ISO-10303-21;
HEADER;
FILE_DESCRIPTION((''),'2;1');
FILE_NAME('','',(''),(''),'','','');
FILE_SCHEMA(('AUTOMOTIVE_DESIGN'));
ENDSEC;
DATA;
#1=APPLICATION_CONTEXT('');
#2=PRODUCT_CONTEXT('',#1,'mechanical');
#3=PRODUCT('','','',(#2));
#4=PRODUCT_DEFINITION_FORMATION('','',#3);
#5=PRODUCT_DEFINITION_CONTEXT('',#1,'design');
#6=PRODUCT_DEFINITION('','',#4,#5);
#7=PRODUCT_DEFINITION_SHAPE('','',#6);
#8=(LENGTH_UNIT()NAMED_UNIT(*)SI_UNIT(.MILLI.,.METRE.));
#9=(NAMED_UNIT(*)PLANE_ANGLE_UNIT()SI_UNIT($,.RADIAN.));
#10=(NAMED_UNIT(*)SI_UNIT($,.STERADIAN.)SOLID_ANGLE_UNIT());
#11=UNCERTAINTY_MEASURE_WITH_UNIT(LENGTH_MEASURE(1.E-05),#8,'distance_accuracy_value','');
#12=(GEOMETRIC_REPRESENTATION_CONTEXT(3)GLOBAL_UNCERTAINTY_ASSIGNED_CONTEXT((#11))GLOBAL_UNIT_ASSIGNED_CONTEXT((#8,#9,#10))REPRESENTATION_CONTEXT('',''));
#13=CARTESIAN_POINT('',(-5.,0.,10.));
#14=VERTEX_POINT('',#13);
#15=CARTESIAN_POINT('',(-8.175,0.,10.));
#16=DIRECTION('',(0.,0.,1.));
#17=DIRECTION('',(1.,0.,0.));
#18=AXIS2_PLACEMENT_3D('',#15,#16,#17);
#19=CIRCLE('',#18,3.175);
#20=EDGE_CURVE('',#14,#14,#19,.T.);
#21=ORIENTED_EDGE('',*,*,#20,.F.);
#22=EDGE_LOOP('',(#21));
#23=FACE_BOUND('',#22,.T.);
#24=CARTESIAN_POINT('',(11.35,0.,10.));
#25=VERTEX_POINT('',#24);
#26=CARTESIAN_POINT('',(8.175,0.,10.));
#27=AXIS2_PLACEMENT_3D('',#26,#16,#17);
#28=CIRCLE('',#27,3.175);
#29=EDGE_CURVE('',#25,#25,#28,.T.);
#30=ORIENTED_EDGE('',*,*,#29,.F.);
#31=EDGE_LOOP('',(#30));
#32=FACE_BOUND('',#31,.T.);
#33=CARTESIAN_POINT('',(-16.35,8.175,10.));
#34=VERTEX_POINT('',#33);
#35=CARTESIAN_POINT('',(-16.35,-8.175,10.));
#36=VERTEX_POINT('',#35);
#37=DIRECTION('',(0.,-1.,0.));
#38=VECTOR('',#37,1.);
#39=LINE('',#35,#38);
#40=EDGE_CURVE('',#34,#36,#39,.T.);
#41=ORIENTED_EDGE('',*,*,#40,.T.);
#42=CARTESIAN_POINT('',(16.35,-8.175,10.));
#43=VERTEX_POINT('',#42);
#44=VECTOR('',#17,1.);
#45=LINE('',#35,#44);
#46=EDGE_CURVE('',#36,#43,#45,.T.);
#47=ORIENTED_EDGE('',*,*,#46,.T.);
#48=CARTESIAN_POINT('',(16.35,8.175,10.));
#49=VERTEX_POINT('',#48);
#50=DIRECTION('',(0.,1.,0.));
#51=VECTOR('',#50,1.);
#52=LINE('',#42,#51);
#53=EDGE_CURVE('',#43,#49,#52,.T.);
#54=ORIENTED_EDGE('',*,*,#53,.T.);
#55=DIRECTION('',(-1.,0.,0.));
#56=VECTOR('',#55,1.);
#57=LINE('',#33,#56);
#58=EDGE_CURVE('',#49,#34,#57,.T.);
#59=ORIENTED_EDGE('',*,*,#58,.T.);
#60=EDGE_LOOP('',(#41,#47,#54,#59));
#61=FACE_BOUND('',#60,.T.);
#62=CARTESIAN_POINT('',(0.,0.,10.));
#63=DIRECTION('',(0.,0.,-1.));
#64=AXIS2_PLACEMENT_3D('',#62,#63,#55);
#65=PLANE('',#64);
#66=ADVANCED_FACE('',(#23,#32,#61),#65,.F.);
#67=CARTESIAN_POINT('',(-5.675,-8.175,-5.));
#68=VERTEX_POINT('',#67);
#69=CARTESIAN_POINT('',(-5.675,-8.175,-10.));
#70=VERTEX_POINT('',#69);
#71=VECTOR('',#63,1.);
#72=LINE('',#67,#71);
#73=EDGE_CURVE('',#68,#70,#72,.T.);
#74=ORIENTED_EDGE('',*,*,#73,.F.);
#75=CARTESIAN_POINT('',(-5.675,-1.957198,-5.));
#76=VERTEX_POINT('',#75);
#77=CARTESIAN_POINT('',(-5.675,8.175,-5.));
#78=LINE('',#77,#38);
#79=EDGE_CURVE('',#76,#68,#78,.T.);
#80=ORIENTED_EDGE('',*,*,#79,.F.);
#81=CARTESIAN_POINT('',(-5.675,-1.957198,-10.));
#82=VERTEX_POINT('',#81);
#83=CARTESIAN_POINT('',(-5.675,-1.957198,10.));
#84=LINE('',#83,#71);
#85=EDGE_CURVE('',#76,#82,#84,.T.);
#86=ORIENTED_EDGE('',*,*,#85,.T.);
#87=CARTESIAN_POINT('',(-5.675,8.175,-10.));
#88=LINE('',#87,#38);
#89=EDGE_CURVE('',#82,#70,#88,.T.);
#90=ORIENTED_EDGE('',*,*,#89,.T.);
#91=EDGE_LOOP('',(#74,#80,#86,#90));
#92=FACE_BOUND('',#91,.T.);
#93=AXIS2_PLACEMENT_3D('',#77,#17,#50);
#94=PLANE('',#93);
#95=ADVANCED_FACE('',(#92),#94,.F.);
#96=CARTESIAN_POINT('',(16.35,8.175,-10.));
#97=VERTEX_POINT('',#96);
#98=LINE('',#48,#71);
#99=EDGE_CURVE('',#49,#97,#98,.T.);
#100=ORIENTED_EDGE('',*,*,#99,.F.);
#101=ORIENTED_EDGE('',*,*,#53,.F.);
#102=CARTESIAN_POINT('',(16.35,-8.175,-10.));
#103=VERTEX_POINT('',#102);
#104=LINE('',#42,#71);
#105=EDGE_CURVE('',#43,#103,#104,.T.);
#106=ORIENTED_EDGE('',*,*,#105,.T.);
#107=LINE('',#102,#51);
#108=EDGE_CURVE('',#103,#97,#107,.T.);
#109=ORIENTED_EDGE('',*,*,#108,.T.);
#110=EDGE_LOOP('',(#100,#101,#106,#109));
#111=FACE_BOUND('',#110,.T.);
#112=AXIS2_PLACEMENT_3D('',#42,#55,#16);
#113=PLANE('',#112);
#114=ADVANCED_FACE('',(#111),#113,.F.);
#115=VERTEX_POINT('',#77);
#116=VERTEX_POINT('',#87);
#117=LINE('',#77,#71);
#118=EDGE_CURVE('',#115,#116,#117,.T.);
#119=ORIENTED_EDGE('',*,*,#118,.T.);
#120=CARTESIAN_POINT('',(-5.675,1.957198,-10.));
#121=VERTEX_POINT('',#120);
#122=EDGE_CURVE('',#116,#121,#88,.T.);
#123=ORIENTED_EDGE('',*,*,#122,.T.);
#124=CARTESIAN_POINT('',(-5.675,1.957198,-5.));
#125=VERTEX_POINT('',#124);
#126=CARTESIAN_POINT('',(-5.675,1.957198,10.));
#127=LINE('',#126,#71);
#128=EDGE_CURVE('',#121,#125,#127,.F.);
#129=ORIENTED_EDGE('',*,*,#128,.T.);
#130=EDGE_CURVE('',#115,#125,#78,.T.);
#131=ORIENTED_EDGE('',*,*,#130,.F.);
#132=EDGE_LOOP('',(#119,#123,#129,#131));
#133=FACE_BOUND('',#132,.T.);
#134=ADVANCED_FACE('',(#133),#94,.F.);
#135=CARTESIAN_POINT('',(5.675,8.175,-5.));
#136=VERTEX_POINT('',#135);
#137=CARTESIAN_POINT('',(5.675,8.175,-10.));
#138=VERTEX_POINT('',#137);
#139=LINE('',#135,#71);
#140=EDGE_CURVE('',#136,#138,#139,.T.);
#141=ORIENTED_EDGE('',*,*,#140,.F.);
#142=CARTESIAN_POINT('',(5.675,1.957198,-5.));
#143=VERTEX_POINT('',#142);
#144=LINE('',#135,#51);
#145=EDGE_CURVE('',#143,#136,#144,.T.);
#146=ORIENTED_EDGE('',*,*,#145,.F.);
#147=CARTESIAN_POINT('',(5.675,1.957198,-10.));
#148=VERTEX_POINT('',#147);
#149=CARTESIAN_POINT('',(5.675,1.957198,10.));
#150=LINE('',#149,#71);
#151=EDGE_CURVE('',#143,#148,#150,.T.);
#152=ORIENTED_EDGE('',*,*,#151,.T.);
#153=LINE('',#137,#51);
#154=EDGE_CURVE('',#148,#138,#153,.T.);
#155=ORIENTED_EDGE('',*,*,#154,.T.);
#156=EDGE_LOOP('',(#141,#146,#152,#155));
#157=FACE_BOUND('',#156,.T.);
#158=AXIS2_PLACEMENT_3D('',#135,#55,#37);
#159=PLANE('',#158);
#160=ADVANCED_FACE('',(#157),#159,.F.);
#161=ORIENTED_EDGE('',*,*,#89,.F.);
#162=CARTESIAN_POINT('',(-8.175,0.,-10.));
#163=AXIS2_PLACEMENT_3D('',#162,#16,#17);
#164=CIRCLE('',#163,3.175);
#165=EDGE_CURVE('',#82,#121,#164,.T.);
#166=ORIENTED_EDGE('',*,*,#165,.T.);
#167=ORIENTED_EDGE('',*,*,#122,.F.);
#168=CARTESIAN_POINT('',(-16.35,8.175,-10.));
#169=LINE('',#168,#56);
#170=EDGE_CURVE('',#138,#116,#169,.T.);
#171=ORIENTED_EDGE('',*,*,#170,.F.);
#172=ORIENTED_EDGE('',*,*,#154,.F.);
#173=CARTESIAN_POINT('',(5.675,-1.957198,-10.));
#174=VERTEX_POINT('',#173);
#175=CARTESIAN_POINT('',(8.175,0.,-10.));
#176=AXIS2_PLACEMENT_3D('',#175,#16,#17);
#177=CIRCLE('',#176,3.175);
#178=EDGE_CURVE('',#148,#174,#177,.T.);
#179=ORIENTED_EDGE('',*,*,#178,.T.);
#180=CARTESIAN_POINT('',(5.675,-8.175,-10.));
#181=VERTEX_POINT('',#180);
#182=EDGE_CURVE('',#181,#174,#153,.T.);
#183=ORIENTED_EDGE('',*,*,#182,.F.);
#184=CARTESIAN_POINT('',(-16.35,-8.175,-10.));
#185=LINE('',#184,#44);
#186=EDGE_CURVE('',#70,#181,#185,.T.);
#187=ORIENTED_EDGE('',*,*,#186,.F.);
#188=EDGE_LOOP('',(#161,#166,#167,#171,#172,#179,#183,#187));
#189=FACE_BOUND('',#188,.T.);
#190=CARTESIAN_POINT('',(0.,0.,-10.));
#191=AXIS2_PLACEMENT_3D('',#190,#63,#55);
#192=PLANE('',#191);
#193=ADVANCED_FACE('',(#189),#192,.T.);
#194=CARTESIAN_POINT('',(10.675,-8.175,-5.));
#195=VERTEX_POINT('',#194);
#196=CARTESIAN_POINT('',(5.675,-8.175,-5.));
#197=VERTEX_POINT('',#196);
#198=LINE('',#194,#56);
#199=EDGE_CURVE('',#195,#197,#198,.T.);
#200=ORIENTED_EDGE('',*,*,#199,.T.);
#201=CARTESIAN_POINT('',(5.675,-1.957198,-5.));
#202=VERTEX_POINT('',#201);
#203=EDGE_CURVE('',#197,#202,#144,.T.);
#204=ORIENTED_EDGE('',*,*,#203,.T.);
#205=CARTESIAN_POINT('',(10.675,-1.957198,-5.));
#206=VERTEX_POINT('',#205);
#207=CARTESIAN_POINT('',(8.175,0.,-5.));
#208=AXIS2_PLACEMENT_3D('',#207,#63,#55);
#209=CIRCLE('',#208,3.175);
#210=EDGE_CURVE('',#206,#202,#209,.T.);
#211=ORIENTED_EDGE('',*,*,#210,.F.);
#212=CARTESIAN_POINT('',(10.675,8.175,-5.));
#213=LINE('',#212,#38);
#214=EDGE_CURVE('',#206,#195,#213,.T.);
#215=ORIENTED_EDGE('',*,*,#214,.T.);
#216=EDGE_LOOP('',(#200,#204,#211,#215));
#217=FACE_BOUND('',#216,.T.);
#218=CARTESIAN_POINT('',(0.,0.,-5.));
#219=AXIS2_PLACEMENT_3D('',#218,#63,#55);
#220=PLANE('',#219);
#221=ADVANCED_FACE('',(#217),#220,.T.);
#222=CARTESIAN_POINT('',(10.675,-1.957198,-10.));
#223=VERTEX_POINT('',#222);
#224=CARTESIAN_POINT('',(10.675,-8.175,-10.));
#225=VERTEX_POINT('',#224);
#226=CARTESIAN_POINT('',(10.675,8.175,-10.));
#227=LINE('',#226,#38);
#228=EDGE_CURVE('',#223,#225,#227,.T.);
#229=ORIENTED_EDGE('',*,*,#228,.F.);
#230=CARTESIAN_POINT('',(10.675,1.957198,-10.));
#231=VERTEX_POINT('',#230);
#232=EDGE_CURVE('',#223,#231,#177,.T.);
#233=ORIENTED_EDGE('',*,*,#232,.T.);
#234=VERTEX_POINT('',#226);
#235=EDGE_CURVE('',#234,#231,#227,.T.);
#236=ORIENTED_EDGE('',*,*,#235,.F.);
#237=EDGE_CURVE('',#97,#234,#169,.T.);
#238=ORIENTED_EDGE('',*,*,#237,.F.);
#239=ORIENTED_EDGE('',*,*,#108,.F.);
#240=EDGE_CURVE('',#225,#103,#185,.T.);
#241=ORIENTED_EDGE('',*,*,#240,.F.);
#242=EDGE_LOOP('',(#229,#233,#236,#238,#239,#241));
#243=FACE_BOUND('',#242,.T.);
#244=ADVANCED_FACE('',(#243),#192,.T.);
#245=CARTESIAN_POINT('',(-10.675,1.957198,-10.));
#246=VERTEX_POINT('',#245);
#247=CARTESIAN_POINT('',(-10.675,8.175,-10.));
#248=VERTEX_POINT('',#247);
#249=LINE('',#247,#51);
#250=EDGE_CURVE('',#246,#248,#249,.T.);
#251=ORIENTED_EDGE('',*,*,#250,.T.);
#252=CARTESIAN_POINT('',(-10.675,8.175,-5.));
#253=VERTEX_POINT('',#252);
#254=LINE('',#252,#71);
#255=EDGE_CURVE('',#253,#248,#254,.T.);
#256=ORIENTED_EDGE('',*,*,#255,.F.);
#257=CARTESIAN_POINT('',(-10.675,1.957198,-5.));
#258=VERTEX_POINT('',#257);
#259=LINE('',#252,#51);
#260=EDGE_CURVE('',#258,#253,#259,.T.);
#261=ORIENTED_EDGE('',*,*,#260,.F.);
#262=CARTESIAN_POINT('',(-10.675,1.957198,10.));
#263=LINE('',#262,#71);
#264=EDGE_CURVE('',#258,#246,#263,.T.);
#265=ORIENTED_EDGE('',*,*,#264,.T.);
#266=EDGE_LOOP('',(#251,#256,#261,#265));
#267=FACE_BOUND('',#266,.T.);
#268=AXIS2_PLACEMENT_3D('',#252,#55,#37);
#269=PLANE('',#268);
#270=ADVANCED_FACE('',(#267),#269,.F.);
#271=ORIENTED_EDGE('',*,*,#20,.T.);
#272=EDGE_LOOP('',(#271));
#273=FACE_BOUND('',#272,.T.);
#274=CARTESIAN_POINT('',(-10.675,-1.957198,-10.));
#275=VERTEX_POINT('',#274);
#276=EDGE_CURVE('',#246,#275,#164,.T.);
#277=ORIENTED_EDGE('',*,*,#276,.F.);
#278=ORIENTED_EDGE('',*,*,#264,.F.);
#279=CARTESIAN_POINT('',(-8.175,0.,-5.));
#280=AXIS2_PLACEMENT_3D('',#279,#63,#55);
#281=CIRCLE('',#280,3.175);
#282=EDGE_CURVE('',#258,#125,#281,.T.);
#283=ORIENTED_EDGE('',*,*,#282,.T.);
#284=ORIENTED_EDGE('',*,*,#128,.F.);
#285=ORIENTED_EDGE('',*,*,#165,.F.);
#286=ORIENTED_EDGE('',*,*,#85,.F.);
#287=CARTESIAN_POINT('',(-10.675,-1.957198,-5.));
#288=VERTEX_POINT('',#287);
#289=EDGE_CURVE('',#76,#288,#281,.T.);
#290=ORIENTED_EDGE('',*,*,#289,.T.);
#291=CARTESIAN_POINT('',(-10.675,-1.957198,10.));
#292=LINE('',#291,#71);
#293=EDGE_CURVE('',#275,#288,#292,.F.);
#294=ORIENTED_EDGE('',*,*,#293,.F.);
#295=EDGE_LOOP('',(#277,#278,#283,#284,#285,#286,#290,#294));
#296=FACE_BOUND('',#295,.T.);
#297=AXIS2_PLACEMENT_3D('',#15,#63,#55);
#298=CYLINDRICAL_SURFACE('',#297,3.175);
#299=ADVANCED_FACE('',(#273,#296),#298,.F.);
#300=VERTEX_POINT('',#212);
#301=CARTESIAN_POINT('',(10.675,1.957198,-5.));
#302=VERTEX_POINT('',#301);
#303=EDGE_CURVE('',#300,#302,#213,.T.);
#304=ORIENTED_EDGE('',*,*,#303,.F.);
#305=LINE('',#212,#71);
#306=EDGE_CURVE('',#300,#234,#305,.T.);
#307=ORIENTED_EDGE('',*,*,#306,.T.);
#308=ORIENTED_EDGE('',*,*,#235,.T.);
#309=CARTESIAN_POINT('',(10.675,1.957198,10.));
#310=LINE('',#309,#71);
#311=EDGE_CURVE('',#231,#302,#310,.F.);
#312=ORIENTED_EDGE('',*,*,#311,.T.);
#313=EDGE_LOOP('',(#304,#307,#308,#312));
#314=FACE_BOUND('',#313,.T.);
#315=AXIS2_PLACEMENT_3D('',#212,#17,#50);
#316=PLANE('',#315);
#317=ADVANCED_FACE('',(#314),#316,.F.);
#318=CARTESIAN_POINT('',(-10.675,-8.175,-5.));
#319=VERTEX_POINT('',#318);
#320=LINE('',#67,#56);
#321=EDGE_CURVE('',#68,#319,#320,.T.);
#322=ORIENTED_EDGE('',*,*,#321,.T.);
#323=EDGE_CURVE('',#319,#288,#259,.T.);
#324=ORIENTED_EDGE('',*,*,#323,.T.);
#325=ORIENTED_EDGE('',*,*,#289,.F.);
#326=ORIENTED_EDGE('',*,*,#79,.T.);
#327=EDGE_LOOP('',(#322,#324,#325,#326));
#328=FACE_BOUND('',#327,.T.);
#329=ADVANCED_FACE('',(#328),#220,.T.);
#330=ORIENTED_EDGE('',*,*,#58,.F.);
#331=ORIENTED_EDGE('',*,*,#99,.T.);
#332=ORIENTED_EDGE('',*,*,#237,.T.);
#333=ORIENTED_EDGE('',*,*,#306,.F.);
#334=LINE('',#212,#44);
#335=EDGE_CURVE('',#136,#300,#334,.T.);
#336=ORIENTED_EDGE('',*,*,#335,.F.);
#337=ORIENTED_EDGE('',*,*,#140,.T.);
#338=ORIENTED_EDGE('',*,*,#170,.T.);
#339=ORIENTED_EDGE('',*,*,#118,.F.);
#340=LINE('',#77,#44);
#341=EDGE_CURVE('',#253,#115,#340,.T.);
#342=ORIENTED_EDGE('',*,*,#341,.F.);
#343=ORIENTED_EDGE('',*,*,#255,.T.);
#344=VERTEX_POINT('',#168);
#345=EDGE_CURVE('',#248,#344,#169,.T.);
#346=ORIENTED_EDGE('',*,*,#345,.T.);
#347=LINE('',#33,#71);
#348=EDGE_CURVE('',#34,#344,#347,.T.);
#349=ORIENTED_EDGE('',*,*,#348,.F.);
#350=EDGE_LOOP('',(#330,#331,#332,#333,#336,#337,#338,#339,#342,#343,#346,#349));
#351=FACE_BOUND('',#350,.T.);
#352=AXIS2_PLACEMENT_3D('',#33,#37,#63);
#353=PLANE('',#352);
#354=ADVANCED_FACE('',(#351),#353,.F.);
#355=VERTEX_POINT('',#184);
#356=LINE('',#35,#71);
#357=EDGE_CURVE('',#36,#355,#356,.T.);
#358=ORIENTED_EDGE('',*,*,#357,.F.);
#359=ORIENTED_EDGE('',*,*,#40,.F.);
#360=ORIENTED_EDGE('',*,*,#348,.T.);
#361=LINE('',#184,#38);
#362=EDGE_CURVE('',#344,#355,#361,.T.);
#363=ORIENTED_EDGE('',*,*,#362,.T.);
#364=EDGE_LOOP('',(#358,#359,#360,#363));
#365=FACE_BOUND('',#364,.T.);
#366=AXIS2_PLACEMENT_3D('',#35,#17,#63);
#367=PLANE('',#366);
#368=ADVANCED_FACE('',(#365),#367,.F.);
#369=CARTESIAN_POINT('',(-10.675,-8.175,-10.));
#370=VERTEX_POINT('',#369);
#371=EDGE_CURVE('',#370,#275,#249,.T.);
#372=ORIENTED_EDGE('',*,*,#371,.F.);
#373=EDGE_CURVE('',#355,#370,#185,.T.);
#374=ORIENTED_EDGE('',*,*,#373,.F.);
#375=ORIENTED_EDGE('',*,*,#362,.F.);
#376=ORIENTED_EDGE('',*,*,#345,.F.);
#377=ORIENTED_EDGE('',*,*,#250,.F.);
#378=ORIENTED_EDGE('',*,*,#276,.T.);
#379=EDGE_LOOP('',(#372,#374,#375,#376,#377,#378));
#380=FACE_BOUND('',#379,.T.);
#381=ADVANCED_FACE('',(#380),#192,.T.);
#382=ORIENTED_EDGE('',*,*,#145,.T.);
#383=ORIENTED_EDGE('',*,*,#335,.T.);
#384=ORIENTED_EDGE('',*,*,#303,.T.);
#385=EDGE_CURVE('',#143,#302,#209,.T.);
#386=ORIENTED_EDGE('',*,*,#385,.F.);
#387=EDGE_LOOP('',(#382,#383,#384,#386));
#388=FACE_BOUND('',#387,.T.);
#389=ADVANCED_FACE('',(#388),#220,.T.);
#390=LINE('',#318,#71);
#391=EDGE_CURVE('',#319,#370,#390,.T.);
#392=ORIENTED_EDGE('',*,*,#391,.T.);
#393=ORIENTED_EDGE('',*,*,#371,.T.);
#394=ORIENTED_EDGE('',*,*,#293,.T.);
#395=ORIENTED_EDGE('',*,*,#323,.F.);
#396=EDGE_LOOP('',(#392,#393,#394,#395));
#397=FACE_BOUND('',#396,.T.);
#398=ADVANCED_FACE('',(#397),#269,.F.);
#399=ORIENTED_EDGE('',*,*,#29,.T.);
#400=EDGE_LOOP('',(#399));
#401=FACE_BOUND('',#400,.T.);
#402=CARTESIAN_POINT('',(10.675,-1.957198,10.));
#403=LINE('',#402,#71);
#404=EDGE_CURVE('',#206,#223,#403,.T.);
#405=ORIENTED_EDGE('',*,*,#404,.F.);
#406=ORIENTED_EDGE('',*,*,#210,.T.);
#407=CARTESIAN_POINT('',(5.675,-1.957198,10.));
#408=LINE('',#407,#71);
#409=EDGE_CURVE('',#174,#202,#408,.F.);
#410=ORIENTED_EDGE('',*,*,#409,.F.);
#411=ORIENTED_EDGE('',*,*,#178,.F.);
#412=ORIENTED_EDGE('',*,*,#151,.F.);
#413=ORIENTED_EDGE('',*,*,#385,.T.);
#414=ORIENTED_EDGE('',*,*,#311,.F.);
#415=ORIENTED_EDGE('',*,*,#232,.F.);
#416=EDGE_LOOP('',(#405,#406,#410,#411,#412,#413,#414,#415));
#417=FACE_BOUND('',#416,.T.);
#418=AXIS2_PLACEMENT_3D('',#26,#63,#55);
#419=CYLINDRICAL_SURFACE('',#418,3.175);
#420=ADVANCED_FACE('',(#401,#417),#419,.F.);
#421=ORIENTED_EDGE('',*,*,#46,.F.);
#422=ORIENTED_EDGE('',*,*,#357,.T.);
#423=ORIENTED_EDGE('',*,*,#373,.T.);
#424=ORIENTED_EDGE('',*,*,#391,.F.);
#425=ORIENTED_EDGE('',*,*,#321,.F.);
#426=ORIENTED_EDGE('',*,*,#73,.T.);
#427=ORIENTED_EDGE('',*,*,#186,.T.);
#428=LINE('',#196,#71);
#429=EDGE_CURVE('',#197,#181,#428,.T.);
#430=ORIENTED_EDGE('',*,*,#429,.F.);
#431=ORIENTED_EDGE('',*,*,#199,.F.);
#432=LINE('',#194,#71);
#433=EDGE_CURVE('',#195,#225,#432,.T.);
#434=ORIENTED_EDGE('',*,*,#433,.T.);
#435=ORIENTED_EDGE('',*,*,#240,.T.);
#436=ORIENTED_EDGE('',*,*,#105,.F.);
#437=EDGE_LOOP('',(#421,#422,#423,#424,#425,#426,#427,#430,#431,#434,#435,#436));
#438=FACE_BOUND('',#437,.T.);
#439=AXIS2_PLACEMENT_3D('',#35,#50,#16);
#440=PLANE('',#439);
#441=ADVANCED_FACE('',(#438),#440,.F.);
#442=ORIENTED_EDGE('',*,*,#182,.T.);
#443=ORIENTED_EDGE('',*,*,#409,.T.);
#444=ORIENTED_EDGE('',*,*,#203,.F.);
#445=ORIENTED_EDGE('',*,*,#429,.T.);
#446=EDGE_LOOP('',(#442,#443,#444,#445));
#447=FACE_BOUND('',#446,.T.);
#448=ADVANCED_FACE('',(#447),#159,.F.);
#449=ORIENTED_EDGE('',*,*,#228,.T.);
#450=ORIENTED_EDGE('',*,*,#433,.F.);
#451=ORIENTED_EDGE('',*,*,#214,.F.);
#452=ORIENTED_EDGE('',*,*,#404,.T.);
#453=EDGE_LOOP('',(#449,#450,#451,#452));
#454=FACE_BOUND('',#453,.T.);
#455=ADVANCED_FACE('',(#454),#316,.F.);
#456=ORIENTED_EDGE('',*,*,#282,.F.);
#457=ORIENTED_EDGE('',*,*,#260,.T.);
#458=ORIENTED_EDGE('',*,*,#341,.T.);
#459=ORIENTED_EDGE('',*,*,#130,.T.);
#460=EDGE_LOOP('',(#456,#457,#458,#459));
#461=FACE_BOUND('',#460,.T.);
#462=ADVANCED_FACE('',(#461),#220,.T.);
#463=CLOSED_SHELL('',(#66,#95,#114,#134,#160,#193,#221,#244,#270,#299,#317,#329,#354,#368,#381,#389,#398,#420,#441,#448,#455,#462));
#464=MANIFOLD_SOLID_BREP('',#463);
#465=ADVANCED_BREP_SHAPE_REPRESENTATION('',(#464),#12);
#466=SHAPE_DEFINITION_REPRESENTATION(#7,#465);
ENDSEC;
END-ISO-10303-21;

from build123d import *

# Parameters (mm, degrees)
SKETCH1_W           = 32.7
SKETCH1_H           = 16.35
SKETCH1_R           = 3.175
BOSS_EXTRUDE1_DEPTH = 10
SKETCH2_W           = 5
SKETCH2_H           = 16.35
CUT_EXTRUDE1_DEPTH  = 5


with BuildPart() as part:
    # Sketch1 → Boss-Extrude1 (new, symmetric)
    with BuildSketch(Plane.XY):
        Rectangle(SKETCH1_W, SKETCH1_H)
        with Locations((-8.175, 0)):
            Circle(SKETCH1_R, mode=Mode.SUBTRACT)
        with Locations((8.175, 0)):
            Circle(SKETCH1_R, mode=Mode.SUBTRACT)
    extrude(amount=BOSS_EXTRUDE1_DEPTH, both=True)

    # Sketch2 → Cut-Extrude1 (cut)
    with BuildSketch(Plane(origin=(0, 0, -10), x_dir=(-1, 0, 0), z_dir=(0, 0, -1))):
        with Locations((-8.175, 0)):
            Rectangle(SKETCH2_W, SKETCH2_H)
        with Locations((8.175, 0)):
            Rectangle(SKETCH2_W, SKETCH2_H)
    extrude(amount=-CUT_EXTRUDE1_DEPTH, mode=Mode.SUBTRACT)


solid = part.part
